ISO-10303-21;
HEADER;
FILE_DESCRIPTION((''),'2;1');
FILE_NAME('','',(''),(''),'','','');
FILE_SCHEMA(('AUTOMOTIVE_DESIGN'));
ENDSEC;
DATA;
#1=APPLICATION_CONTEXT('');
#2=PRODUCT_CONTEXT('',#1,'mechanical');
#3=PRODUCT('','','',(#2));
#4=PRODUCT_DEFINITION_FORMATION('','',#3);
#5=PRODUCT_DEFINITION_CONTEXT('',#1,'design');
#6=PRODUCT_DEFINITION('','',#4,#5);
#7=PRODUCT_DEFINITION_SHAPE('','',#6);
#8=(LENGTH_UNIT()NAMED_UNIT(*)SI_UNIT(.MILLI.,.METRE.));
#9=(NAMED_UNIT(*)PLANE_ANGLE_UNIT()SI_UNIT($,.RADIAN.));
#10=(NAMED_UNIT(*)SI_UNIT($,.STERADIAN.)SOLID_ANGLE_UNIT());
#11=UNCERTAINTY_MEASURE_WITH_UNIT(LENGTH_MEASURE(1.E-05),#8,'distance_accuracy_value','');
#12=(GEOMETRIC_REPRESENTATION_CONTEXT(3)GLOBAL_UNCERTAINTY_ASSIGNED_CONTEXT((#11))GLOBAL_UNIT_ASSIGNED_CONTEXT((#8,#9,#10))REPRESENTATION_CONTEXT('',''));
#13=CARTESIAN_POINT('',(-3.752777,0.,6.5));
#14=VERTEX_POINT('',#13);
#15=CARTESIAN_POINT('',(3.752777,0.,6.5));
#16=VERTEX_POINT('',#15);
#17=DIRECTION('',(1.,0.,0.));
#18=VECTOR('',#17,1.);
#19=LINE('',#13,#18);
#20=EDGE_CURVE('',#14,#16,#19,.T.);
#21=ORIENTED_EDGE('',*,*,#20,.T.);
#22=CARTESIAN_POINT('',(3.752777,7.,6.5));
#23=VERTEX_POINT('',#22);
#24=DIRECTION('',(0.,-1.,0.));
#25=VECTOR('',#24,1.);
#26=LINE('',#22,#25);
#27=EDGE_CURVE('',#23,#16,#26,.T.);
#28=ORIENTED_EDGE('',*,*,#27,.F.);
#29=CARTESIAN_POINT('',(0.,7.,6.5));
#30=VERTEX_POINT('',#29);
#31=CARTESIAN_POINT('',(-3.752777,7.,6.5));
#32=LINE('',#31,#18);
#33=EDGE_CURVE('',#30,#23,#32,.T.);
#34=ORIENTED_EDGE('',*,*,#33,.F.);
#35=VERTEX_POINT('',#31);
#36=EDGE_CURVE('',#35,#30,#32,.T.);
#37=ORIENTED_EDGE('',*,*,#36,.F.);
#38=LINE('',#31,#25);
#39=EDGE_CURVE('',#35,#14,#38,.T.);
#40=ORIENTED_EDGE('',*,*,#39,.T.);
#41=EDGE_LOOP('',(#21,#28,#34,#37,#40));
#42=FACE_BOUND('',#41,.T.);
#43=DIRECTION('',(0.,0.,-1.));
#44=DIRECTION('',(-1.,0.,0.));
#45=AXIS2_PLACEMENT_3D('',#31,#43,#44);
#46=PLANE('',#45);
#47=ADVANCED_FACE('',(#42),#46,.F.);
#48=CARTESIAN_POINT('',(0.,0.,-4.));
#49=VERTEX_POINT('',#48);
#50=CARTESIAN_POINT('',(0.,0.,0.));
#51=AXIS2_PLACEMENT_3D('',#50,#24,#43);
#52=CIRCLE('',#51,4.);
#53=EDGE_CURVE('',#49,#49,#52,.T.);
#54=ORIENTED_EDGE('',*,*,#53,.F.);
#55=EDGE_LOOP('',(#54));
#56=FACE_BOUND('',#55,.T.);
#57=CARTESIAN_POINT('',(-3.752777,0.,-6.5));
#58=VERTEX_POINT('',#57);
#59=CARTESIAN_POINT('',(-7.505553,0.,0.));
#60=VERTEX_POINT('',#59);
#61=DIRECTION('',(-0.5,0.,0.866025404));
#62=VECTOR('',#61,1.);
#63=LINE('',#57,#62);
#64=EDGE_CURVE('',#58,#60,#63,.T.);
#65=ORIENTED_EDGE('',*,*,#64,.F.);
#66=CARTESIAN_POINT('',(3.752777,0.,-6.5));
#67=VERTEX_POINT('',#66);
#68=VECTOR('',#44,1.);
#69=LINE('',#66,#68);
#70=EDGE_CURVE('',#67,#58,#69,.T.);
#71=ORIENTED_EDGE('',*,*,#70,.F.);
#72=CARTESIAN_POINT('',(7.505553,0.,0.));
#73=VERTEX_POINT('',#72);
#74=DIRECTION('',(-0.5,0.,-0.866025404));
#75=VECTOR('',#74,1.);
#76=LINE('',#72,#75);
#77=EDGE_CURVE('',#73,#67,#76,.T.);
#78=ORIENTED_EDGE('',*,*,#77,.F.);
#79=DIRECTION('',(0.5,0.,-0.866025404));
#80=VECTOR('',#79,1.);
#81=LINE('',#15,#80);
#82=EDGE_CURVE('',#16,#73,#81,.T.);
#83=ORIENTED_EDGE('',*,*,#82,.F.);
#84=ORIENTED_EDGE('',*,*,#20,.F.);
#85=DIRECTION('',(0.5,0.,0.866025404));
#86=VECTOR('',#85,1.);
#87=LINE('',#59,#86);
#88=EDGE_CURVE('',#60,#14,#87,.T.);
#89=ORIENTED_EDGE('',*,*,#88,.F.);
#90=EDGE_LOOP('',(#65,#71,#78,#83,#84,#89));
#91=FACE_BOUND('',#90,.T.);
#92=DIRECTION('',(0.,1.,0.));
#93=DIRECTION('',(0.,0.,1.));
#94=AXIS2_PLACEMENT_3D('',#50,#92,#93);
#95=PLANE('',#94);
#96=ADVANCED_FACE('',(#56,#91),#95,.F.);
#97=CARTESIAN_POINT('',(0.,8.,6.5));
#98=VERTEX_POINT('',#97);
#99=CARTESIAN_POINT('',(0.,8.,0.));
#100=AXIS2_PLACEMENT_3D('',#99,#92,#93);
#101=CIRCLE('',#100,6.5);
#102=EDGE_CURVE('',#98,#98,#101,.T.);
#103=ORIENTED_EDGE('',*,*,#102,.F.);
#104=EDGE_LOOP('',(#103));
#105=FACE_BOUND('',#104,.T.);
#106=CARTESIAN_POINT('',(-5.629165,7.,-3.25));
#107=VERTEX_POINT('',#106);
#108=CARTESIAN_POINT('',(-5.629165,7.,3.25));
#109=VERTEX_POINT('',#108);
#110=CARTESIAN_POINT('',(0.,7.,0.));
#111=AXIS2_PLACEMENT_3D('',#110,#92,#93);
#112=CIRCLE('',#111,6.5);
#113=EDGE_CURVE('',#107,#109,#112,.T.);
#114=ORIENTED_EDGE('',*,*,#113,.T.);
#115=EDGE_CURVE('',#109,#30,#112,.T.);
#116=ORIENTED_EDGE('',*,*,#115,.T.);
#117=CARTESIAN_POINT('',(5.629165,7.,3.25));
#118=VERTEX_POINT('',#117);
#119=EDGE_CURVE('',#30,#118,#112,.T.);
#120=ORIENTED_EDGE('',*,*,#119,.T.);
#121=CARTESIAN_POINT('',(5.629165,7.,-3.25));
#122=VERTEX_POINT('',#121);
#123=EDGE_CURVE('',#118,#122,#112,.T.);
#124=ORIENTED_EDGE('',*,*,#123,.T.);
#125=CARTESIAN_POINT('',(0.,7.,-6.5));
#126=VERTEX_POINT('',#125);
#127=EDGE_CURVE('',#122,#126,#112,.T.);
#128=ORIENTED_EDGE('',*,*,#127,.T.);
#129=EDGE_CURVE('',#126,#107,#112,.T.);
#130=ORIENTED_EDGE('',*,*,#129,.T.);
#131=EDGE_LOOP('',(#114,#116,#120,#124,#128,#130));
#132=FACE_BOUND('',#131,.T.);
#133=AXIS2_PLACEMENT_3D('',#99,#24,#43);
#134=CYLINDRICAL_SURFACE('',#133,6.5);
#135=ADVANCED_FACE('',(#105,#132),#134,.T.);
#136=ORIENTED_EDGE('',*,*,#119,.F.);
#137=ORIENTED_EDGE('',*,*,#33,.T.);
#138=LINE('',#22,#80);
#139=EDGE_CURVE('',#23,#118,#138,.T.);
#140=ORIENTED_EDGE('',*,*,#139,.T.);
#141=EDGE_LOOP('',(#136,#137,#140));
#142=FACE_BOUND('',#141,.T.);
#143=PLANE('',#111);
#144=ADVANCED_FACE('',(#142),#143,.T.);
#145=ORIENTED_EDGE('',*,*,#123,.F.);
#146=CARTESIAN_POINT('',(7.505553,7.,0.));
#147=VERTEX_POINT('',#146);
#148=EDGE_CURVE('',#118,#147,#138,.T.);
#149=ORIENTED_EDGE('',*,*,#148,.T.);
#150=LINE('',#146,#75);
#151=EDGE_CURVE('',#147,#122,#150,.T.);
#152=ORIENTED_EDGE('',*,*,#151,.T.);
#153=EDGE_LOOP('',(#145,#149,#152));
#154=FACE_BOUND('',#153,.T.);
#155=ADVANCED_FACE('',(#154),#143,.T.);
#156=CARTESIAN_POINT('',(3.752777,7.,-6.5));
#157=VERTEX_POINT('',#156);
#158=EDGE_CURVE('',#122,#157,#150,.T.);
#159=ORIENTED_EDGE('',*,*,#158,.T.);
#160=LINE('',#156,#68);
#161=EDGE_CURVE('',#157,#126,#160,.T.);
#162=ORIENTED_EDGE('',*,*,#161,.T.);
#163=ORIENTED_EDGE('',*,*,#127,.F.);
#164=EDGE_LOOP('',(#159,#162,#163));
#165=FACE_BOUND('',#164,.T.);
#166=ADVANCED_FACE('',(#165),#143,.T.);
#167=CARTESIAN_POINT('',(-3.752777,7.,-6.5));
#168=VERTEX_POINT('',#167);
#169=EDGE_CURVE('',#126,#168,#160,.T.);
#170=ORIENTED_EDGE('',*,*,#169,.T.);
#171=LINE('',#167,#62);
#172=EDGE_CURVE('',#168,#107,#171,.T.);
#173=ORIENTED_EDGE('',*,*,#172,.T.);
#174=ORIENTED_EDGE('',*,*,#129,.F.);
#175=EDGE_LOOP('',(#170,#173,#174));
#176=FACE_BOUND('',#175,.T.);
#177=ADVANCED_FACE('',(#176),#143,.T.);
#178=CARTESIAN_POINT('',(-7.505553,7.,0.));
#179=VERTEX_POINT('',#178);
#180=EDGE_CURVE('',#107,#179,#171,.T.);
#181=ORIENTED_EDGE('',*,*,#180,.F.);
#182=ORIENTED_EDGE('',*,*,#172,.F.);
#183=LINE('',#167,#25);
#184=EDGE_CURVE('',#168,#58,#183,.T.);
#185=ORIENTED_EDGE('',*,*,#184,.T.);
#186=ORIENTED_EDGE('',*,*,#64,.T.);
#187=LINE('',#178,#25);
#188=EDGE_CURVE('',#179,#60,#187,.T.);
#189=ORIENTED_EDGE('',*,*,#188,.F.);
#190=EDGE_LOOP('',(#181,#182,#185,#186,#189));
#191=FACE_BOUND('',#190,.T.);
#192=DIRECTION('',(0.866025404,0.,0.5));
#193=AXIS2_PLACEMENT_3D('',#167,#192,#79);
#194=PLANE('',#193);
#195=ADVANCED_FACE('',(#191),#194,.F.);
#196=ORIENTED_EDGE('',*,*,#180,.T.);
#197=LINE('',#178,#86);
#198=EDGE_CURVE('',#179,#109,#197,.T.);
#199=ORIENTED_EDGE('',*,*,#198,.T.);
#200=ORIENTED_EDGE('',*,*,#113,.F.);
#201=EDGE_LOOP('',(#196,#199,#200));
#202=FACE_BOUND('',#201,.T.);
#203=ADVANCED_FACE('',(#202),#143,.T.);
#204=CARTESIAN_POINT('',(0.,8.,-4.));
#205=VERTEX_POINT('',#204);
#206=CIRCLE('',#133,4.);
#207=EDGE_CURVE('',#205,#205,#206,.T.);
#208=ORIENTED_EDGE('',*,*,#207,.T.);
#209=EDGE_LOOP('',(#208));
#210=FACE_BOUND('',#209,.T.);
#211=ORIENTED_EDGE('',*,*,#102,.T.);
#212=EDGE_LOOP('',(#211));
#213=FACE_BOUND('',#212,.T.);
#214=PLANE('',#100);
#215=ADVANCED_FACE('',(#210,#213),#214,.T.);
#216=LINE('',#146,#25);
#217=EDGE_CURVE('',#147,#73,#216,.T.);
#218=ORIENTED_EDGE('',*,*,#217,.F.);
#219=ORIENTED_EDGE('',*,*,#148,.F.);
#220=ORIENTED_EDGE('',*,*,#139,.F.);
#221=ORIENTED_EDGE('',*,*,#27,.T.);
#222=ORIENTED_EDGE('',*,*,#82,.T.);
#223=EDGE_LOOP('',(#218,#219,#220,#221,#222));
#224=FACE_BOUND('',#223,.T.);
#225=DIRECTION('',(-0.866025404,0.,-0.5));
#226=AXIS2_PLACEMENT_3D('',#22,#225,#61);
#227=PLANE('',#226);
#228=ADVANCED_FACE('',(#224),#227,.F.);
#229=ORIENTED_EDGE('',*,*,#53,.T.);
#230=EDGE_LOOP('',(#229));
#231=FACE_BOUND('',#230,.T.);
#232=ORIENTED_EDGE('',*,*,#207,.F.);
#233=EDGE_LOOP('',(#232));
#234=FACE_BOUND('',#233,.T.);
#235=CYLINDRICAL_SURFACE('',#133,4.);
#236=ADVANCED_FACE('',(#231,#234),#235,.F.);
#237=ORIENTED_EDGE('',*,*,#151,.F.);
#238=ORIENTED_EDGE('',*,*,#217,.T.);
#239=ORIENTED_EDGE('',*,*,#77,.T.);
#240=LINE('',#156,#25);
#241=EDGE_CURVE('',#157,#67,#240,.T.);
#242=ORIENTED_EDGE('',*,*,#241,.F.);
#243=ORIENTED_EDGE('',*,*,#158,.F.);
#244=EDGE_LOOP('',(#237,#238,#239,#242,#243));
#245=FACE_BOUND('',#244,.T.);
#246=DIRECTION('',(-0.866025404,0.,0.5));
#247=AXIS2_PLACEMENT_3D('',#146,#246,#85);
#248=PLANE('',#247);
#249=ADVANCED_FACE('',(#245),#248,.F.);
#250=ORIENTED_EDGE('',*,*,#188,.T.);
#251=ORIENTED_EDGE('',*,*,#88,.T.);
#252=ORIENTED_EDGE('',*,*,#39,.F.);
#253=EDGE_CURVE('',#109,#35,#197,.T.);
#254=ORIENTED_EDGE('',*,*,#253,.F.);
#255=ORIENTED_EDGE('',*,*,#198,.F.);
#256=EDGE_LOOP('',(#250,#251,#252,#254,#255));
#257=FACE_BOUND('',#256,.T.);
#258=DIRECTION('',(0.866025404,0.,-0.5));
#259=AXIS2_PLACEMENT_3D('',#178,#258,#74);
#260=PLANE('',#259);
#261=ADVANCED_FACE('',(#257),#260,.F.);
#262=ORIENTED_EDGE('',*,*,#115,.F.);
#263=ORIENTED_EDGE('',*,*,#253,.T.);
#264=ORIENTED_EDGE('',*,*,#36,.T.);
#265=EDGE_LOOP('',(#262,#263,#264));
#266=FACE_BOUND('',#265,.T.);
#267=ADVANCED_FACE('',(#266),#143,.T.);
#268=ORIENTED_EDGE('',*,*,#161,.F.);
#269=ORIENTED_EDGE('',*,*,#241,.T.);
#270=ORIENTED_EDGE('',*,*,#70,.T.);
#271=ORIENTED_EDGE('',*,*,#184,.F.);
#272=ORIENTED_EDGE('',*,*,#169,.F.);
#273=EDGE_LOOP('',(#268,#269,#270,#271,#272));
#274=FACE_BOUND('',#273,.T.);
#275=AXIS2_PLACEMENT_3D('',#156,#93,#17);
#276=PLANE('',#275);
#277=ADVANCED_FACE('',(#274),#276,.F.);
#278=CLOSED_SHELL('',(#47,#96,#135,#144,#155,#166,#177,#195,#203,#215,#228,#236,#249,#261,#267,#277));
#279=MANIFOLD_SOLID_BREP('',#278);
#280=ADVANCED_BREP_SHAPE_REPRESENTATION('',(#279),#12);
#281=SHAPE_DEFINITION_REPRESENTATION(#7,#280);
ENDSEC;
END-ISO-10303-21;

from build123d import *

# Parameters (mm, degrees)
EXTRUDE_1_DEPTH     = 7
SKETCH_2_R          = 6.5
EXTRUDE_2_DEPTH     = 1
SKETCH_3_R          = 4
CUT_EXTRUDE_1_DEPTH = 13.750816967


with BuildPart() as part:
    # 草图1 → 凸台-拉伸1 (new body)
    with BuildSketch(Plane(origin=(0, 0, 0), x_dir=(1, 0, 0), z_dir=(0, 1, 0))):
        Polygon((7.505553499, 0), (3.75277675, 6.5), (-3.75277675, 6.5), (-7.505553499, 0), (-3.75277675, -6.5), (3.75277675, -6.5), align=None)
    extrude(amount=EXTRUDE_1_DEPTH)

    # 草图2 → 凸台-拉伸2 (add)
    with BuildSketch(Plane(origin=(0, 7, 0), x_dir=(1, 0, 0), z_dir=(0, 1, 0))):
        Circle(SKETCH_2_R)
    extrude(amount=EXTRUDE_2_DEPTH)

    # 草图3 → 切除-拉伸1 (cut, through all)
    with BuildSketch(Plane.XZ):
        Circle(SKETCH_3_R)
    extrude(amount=-CUT_EXTRUDE_1_DEPTH, mode=Mode.SUBTRACT)


solid = part.part
